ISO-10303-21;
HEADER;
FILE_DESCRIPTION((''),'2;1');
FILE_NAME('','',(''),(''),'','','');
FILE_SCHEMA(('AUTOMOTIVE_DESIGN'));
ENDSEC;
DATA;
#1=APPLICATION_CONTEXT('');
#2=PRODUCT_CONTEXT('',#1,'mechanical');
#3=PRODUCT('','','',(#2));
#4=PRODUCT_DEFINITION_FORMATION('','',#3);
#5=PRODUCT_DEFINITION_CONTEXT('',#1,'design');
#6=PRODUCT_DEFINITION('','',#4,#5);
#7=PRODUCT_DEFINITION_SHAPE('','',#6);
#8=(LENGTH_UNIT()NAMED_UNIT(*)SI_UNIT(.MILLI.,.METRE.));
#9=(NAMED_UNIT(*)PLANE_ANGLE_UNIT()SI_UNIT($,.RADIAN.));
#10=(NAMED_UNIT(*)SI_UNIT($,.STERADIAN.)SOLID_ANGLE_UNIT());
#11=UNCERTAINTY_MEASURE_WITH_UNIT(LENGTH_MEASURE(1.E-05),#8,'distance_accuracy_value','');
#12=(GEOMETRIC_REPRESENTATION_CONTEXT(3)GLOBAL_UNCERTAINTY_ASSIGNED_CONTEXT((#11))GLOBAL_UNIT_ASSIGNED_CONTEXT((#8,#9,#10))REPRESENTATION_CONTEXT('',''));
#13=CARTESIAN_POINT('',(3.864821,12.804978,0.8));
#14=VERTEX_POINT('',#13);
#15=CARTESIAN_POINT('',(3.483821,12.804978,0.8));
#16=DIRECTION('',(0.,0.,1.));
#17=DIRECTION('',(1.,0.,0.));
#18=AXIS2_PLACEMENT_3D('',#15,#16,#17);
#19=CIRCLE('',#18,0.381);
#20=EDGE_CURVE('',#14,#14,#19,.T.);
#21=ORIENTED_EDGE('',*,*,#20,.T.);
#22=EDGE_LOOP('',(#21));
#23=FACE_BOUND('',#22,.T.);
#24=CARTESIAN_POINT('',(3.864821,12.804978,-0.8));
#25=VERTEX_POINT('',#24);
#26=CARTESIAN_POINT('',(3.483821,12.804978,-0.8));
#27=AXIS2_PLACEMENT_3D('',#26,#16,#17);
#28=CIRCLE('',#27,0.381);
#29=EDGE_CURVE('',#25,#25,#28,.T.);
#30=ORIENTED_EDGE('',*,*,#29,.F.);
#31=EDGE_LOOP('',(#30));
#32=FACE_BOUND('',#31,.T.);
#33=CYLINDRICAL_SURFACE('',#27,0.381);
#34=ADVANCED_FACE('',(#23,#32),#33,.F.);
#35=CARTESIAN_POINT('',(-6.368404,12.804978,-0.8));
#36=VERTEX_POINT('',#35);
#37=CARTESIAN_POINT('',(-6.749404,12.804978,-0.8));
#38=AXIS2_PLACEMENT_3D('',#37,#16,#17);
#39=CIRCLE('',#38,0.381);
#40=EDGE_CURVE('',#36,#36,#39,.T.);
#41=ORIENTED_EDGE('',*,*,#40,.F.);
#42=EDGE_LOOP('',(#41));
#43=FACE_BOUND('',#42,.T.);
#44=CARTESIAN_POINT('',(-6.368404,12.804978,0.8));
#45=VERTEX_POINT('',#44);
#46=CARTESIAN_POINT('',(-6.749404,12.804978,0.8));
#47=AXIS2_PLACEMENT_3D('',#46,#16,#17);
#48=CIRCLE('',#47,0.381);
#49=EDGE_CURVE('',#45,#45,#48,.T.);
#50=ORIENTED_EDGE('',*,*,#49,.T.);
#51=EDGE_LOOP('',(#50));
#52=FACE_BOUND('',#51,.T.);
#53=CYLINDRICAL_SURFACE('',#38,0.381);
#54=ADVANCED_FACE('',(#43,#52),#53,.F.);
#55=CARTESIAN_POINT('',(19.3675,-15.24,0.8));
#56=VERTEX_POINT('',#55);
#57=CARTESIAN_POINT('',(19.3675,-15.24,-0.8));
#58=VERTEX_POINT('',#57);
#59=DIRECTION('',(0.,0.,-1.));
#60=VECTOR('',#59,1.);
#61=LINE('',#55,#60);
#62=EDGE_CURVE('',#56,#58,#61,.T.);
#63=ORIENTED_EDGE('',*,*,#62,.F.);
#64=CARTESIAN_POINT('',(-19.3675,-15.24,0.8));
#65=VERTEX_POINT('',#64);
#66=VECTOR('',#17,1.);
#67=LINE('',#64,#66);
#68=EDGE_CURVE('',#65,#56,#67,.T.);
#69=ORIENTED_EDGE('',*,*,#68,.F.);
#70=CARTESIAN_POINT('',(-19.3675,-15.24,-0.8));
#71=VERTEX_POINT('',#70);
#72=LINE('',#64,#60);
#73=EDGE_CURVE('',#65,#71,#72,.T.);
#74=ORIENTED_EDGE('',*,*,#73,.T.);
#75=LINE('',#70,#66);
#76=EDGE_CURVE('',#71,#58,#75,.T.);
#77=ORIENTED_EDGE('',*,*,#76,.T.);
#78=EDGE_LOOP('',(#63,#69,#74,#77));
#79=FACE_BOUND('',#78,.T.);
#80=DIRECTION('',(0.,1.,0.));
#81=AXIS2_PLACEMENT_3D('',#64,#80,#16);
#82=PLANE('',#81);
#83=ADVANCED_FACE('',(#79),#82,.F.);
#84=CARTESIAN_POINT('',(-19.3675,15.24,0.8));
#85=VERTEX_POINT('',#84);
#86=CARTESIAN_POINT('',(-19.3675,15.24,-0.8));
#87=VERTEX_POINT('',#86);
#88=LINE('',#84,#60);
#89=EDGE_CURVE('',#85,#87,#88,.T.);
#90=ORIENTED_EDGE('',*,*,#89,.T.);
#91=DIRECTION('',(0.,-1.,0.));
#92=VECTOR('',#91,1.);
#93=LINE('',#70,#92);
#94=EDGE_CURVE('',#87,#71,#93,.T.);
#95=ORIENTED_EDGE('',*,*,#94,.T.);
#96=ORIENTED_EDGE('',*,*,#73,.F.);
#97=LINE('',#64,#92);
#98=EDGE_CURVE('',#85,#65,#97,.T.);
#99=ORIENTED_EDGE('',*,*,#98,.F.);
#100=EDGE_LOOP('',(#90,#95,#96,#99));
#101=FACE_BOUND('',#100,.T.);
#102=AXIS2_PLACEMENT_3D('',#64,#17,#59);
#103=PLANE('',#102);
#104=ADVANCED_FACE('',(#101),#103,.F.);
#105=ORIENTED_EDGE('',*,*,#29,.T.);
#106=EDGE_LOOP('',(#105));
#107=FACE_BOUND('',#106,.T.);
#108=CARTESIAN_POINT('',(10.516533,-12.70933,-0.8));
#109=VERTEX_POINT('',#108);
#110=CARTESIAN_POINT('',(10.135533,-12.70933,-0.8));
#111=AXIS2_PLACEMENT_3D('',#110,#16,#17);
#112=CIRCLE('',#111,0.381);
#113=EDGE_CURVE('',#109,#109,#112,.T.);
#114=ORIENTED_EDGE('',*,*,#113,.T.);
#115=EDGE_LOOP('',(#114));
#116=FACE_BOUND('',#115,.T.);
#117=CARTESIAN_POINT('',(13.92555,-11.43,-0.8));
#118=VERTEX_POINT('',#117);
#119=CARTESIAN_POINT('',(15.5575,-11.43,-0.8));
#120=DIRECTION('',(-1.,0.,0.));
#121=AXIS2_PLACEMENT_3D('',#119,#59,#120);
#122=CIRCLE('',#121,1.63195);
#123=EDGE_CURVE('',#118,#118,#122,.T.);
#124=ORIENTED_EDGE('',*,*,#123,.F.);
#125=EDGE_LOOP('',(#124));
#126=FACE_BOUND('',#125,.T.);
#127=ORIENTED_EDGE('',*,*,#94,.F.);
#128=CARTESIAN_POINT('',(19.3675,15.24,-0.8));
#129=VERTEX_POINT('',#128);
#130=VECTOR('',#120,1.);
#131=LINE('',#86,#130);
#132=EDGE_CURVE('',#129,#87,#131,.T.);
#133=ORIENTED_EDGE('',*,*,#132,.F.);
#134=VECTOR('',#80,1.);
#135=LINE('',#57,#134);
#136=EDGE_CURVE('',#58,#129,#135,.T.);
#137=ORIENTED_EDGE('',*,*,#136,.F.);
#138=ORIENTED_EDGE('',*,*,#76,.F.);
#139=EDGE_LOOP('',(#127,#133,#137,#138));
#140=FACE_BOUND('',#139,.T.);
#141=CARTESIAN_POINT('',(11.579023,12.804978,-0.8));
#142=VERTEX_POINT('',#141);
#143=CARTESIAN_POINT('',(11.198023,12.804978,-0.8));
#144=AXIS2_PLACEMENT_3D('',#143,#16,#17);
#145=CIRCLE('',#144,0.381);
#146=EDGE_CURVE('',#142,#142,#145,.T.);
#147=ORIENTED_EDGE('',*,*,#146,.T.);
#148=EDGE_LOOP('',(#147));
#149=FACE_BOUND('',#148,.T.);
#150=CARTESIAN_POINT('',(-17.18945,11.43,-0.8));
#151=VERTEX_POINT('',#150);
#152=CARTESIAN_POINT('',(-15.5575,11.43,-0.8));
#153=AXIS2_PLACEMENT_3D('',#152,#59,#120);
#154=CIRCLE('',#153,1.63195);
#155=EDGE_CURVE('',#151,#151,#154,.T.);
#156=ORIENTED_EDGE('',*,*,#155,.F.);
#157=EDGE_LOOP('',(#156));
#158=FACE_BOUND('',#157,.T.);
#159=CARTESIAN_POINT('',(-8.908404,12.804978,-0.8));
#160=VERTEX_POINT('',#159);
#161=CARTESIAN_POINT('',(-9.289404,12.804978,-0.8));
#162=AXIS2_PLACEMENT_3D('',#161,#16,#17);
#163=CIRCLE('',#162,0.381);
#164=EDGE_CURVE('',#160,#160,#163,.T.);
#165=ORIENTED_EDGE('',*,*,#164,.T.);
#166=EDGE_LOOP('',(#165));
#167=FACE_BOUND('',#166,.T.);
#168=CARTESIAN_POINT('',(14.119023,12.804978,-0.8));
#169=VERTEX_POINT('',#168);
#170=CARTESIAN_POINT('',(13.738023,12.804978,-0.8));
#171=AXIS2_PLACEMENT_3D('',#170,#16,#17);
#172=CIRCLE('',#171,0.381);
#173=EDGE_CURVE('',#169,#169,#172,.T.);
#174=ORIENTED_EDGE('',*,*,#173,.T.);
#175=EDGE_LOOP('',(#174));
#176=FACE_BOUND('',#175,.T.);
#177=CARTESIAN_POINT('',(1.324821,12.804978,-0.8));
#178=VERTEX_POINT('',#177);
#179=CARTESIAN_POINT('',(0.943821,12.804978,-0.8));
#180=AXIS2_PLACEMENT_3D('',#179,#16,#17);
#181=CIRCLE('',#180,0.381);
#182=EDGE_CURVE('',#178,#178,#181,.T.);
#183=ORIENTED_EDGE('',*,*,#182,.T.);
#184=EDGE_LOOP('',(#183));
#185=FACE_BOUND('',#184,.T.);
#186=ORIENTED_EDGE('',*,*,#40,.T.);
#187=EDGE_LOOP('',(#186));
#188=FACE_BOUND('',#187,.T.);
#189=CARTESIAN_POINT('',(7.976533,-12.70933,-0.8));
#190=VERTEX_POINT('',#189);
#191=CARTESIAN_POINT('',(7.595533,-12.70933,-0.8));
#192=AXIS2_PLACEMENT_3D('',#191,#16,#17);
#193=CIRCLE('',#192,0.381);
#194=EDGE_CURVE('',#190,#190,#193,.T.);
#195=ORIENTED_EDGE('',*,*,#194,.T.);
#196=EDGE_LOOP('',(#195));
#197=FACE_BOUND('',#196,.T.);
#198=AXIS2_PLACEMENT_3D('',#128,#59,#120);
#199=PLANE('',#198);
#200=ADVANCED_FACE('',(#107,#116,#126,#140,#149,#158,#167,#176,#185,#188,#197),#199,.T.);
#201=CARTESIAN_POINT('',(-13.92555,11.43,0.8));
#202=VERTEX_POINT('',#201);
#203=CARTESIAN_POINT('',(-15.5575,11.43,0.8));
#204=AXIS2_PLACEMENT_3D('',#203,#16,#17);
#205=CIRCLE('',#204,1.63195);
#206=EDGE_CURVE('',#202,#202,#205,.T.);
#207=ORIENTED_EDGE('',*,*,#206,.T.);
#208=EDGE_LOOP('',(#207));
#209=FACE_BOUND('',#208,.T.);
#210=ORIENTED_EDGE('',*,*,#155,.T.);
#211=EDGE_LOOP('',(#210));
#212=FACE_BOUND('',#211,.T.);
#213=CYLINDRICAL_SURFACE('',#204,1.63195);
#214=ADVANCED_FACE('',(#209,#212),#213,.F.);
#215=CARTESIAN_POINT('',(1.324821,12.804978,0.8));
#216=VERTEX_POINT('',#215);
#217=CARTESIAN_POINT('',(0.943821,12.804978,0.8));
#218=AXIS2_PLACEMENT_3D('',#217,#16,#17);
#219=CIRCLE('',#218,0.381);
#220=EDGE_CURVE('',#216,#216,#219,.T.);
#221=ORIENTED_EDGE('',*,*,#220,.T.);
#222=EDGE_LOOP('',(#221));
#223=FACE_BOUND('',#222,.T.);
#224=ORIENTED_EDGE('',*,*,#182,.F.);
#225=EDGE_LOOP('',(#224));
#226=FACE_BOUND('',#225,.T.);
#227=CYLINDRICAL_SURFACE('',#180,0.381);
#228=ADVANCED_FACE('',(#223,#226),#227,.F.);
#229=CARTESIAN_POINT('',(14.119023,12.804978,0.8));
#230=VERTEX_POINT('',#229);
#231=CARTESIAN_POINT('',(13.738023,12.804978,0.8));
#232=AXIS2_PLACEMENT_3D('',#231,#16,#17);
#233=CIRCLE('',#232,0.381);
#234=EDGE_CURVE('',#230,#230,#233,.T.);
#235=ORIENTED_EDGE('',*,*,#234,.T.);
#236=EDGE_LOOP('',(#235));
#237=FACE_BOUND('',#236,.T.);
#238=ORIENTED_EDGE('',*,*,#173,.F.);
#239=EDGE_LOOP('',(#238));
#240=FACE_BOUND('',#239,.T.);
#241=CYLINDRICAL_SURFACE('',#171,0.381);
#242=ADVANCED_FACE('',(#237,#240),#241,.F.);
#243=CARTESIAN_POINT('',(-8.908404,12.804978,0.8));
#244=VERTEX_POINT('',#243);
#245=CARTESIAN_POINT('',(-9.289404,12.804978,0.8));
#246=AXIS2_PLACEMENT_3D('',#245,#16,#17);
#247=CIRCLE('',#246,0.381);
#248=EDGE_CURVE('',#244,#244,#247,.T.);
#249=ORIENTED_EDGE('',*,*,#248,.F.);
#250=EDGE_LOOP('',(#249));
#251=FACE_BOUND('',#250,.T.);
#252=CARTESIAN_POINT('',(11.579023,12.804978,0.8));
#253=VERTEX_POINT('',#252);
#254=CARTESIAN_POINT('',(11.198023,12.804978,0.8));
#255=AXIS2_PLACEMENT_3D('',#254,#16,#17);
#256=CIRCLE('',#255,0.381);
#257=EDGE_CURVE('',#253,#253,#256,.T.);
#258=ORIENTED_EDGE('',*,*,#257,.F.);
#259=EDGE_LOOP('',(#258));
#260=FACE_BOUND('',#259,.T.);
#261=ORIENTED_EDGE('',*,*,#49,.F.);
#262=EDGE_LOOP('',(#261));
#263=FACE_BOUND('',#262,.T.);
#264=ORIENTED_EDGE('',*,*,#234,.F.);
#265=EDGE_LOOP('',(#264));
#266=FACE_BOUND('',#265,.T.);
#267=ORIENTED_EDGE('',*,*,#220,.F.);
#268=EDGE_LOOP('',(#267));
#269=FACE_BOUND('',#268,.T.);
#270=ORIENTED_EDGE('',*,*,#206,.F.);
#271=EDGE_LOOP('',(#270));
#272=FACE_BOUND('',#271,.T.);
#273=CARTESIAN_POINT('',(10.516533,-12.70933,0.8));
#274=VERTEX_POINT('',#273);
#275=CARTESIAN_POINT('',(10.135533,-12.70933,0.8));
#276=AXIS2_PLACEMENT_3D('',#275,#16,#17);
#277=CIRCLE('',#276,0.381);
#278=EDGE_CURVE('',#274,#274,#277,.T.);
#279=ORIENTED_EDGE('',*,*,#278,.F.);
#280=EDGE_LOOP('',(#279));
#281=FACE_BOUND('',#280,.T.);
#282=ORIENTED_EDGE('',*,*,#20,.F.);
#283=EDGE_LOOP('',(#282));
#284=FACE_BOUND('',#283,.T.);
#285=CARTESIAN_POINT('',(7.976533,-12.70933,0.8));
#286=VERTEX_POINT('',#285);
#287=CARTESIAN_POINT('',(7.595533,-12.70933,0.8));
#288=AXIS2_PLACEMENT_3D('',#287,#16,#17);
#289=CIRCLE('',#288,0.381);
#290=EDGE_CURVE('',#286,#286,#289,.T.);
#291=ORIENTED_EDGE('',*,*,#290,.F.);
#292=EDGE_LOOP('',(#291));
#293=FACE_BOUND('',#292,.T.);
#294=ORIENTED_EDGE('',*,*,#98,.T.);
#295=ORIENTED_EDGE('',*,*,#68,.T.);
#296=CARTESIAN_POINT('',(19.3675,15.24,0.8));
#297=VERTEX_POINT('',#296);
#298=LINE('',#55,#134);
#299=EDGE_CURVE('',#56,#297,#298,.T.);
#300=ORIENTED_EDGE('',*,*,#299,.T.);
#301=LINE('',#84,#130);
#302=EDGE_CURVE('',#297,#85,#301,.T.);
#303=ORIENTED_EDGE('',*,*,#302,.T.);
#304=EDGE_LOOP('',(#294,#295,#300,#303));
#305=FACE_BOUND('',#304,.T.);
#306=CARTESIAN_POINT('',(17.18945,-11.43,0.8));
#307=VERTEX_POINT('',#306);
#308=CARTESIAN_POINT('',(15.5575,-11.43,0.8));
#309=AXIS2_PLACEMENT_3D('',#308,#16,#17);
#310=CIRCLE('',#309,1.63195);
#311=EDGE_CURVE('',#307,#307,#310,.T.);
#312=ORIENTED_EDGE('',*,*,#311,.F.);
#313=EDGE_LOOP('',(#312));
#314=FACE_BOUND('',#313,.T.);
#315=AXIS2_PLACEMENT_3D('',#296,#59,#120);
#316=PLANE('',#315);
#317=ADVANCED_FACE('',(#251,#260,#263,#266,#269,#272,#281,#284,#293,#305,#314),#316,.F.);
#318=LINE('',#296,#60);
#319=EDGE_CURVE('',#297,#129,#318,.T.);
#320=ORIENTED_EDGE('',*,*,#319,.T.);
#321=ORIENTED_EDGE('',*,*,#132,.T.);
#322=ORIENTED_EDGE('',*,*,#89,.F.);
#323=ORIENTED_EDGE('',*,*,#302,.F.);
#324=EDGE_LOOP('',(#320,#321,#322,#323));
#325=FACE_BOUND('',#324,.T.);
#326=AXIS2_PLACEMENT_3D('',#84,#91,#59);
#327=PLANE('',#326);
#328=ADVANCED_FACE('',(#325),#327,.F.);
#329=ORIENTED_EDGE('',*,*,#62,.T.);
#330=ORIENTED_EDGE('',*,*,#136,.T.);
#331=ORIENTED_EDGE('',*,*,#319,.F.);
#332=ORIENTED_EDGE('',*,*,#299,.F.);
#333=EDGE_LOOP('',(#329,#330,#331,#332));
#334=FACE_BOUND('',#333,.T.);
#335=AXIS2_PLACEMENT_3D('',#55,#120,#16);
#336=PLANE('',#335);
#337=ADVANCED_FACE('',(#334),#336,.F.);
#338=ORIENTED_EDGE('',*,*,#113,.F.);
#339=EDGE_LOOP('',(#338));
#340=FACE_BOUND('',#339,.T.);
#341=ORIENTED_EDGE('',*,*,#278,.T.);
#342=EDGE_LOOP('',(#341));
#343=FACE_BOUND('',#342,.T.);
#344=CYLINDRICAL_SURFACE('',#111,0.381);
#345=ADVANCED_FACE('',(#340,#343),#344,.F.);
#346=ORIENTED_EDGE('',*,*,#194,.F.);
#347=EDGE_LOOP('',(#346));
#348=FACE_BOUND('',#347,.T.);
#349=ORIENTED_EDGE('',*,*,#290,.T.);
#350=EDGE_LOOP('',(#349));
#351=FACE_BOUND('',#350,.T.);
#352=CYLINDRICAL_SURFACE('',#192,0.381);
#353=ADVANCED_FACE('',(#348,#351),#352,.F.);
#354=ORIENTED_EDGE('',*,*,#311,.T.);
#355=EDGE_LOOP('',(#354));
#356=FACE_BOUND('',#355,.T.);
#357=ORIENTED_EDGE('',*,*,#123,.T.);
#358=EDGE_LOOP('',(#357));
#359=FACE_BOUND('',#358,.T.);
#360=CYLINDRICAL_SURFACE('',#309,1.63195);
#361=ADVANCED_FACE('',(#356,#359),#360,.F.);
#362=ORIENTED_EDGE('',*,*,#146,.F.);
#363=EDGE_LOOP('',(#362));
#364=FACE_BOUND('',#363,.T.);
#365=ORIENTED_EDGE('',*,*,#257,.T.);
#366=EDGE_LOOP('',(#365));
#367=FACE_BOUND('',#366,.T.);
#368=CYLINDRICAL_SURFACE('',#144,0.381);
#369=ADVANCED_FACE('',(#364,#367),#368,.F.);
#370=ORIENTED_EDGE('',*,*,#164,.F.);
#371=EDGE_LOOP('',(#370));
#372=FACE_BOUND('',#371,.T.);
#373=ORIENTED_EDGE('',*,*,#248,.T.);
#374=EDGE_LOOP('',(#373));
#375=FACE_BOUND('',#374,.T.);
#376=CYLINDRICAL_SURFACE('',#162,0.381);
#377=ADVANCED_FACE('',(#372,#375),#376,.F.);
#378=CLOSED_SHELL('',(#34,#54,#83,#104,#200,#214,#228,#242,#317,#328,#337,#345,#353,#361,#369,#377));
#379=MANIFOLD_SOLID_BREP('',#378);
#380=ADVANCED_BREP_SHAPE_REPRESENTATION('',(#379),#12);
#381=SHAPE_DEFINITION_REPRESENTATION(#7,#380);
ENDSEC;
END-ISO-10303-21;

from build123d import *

# Parameters (mm, degrees)
SKETCH1_W                 = 38.735
SKETCH1_H                 = 30.48
BOSS_EXTRUDE1_DEPTH       = 0.8
F_4_CLEARANCE_HOLE1_D     = 3.2639
F_4_CLEARANCE_HOLE1_DEPTH = 10.922
F_4_CLEARANCE_HOLE1_TIP   = 0.980574487
SKETCH6_R                 = 0.381
CUT_EXTRUDE1_DEPTH        = 2.6


with BuildPart() as part:
    # Sketch1 → Boss-Extrude1 (new body, symmetric)
    with BuildSketch(Plane.XY):
        Rectangle(SKETCH1_W, SKETCH1_H)
    extrude(amount=BOSS_EXTRUDE1_DEPTH, both=True)

    # #4 Clearance Hole1
    with Locations(Plane.XY.offset(0.8)):
        with Locations((-15.5575, 11.43), (15.5575, -11.43)):
            Hole(F_4_CLEARANCE_HOLE1_D / 2, depth=F_4_CLEARANCE_HOLE1_DEPTH)
            with Locations((0, 0, -(F_4_CLEARANCE_HOLE1_DEPTH + F_4_CLEARANCE_HOLE1_TIP / 2))):  # 118° drill point
                Cone(0, F_4_CLEARANCE_HOLE1_D / 2, F_4_CLEARANCE_HOLE1_TIP, mode=Mode.SUBTRACT)

    # Sketch6 → Cut-Extrude1 (cut, through all)
    with BuildSketch(Plane.XY.offset(0.8)):
        with Locations((-9.289404292, 12.804978229)):
            Circle(SKETCH6_R)
        with Locations((-6.749404292, 12.804978229)):
            Circle(SKETCH6_R)
        with Locations((0.943821165, 12.804978229)):
            Circle(SKETCH6_R)
        with Locations((3.483821165, 12.804978229)):
            Circle(SKETCH6_R)
        with Locations((11.19802304, 12.804978229)):
            Circle(SKETCH6_R)
        with Locations((13.73802304, 12.804978229)):
            Circle(SKETCH6_R)
        with Locations((7.59553263, -12.709329553)):
            Circle(SKETCH6_R)
        with Locations((10.13553263, -12.709329553)):
            Circle(SKETCH6_R)
    extrude(amount=-CUT_EXTRUDE1_DEPTH, mode=Mode.SUBTRACT)


solid = part.part
